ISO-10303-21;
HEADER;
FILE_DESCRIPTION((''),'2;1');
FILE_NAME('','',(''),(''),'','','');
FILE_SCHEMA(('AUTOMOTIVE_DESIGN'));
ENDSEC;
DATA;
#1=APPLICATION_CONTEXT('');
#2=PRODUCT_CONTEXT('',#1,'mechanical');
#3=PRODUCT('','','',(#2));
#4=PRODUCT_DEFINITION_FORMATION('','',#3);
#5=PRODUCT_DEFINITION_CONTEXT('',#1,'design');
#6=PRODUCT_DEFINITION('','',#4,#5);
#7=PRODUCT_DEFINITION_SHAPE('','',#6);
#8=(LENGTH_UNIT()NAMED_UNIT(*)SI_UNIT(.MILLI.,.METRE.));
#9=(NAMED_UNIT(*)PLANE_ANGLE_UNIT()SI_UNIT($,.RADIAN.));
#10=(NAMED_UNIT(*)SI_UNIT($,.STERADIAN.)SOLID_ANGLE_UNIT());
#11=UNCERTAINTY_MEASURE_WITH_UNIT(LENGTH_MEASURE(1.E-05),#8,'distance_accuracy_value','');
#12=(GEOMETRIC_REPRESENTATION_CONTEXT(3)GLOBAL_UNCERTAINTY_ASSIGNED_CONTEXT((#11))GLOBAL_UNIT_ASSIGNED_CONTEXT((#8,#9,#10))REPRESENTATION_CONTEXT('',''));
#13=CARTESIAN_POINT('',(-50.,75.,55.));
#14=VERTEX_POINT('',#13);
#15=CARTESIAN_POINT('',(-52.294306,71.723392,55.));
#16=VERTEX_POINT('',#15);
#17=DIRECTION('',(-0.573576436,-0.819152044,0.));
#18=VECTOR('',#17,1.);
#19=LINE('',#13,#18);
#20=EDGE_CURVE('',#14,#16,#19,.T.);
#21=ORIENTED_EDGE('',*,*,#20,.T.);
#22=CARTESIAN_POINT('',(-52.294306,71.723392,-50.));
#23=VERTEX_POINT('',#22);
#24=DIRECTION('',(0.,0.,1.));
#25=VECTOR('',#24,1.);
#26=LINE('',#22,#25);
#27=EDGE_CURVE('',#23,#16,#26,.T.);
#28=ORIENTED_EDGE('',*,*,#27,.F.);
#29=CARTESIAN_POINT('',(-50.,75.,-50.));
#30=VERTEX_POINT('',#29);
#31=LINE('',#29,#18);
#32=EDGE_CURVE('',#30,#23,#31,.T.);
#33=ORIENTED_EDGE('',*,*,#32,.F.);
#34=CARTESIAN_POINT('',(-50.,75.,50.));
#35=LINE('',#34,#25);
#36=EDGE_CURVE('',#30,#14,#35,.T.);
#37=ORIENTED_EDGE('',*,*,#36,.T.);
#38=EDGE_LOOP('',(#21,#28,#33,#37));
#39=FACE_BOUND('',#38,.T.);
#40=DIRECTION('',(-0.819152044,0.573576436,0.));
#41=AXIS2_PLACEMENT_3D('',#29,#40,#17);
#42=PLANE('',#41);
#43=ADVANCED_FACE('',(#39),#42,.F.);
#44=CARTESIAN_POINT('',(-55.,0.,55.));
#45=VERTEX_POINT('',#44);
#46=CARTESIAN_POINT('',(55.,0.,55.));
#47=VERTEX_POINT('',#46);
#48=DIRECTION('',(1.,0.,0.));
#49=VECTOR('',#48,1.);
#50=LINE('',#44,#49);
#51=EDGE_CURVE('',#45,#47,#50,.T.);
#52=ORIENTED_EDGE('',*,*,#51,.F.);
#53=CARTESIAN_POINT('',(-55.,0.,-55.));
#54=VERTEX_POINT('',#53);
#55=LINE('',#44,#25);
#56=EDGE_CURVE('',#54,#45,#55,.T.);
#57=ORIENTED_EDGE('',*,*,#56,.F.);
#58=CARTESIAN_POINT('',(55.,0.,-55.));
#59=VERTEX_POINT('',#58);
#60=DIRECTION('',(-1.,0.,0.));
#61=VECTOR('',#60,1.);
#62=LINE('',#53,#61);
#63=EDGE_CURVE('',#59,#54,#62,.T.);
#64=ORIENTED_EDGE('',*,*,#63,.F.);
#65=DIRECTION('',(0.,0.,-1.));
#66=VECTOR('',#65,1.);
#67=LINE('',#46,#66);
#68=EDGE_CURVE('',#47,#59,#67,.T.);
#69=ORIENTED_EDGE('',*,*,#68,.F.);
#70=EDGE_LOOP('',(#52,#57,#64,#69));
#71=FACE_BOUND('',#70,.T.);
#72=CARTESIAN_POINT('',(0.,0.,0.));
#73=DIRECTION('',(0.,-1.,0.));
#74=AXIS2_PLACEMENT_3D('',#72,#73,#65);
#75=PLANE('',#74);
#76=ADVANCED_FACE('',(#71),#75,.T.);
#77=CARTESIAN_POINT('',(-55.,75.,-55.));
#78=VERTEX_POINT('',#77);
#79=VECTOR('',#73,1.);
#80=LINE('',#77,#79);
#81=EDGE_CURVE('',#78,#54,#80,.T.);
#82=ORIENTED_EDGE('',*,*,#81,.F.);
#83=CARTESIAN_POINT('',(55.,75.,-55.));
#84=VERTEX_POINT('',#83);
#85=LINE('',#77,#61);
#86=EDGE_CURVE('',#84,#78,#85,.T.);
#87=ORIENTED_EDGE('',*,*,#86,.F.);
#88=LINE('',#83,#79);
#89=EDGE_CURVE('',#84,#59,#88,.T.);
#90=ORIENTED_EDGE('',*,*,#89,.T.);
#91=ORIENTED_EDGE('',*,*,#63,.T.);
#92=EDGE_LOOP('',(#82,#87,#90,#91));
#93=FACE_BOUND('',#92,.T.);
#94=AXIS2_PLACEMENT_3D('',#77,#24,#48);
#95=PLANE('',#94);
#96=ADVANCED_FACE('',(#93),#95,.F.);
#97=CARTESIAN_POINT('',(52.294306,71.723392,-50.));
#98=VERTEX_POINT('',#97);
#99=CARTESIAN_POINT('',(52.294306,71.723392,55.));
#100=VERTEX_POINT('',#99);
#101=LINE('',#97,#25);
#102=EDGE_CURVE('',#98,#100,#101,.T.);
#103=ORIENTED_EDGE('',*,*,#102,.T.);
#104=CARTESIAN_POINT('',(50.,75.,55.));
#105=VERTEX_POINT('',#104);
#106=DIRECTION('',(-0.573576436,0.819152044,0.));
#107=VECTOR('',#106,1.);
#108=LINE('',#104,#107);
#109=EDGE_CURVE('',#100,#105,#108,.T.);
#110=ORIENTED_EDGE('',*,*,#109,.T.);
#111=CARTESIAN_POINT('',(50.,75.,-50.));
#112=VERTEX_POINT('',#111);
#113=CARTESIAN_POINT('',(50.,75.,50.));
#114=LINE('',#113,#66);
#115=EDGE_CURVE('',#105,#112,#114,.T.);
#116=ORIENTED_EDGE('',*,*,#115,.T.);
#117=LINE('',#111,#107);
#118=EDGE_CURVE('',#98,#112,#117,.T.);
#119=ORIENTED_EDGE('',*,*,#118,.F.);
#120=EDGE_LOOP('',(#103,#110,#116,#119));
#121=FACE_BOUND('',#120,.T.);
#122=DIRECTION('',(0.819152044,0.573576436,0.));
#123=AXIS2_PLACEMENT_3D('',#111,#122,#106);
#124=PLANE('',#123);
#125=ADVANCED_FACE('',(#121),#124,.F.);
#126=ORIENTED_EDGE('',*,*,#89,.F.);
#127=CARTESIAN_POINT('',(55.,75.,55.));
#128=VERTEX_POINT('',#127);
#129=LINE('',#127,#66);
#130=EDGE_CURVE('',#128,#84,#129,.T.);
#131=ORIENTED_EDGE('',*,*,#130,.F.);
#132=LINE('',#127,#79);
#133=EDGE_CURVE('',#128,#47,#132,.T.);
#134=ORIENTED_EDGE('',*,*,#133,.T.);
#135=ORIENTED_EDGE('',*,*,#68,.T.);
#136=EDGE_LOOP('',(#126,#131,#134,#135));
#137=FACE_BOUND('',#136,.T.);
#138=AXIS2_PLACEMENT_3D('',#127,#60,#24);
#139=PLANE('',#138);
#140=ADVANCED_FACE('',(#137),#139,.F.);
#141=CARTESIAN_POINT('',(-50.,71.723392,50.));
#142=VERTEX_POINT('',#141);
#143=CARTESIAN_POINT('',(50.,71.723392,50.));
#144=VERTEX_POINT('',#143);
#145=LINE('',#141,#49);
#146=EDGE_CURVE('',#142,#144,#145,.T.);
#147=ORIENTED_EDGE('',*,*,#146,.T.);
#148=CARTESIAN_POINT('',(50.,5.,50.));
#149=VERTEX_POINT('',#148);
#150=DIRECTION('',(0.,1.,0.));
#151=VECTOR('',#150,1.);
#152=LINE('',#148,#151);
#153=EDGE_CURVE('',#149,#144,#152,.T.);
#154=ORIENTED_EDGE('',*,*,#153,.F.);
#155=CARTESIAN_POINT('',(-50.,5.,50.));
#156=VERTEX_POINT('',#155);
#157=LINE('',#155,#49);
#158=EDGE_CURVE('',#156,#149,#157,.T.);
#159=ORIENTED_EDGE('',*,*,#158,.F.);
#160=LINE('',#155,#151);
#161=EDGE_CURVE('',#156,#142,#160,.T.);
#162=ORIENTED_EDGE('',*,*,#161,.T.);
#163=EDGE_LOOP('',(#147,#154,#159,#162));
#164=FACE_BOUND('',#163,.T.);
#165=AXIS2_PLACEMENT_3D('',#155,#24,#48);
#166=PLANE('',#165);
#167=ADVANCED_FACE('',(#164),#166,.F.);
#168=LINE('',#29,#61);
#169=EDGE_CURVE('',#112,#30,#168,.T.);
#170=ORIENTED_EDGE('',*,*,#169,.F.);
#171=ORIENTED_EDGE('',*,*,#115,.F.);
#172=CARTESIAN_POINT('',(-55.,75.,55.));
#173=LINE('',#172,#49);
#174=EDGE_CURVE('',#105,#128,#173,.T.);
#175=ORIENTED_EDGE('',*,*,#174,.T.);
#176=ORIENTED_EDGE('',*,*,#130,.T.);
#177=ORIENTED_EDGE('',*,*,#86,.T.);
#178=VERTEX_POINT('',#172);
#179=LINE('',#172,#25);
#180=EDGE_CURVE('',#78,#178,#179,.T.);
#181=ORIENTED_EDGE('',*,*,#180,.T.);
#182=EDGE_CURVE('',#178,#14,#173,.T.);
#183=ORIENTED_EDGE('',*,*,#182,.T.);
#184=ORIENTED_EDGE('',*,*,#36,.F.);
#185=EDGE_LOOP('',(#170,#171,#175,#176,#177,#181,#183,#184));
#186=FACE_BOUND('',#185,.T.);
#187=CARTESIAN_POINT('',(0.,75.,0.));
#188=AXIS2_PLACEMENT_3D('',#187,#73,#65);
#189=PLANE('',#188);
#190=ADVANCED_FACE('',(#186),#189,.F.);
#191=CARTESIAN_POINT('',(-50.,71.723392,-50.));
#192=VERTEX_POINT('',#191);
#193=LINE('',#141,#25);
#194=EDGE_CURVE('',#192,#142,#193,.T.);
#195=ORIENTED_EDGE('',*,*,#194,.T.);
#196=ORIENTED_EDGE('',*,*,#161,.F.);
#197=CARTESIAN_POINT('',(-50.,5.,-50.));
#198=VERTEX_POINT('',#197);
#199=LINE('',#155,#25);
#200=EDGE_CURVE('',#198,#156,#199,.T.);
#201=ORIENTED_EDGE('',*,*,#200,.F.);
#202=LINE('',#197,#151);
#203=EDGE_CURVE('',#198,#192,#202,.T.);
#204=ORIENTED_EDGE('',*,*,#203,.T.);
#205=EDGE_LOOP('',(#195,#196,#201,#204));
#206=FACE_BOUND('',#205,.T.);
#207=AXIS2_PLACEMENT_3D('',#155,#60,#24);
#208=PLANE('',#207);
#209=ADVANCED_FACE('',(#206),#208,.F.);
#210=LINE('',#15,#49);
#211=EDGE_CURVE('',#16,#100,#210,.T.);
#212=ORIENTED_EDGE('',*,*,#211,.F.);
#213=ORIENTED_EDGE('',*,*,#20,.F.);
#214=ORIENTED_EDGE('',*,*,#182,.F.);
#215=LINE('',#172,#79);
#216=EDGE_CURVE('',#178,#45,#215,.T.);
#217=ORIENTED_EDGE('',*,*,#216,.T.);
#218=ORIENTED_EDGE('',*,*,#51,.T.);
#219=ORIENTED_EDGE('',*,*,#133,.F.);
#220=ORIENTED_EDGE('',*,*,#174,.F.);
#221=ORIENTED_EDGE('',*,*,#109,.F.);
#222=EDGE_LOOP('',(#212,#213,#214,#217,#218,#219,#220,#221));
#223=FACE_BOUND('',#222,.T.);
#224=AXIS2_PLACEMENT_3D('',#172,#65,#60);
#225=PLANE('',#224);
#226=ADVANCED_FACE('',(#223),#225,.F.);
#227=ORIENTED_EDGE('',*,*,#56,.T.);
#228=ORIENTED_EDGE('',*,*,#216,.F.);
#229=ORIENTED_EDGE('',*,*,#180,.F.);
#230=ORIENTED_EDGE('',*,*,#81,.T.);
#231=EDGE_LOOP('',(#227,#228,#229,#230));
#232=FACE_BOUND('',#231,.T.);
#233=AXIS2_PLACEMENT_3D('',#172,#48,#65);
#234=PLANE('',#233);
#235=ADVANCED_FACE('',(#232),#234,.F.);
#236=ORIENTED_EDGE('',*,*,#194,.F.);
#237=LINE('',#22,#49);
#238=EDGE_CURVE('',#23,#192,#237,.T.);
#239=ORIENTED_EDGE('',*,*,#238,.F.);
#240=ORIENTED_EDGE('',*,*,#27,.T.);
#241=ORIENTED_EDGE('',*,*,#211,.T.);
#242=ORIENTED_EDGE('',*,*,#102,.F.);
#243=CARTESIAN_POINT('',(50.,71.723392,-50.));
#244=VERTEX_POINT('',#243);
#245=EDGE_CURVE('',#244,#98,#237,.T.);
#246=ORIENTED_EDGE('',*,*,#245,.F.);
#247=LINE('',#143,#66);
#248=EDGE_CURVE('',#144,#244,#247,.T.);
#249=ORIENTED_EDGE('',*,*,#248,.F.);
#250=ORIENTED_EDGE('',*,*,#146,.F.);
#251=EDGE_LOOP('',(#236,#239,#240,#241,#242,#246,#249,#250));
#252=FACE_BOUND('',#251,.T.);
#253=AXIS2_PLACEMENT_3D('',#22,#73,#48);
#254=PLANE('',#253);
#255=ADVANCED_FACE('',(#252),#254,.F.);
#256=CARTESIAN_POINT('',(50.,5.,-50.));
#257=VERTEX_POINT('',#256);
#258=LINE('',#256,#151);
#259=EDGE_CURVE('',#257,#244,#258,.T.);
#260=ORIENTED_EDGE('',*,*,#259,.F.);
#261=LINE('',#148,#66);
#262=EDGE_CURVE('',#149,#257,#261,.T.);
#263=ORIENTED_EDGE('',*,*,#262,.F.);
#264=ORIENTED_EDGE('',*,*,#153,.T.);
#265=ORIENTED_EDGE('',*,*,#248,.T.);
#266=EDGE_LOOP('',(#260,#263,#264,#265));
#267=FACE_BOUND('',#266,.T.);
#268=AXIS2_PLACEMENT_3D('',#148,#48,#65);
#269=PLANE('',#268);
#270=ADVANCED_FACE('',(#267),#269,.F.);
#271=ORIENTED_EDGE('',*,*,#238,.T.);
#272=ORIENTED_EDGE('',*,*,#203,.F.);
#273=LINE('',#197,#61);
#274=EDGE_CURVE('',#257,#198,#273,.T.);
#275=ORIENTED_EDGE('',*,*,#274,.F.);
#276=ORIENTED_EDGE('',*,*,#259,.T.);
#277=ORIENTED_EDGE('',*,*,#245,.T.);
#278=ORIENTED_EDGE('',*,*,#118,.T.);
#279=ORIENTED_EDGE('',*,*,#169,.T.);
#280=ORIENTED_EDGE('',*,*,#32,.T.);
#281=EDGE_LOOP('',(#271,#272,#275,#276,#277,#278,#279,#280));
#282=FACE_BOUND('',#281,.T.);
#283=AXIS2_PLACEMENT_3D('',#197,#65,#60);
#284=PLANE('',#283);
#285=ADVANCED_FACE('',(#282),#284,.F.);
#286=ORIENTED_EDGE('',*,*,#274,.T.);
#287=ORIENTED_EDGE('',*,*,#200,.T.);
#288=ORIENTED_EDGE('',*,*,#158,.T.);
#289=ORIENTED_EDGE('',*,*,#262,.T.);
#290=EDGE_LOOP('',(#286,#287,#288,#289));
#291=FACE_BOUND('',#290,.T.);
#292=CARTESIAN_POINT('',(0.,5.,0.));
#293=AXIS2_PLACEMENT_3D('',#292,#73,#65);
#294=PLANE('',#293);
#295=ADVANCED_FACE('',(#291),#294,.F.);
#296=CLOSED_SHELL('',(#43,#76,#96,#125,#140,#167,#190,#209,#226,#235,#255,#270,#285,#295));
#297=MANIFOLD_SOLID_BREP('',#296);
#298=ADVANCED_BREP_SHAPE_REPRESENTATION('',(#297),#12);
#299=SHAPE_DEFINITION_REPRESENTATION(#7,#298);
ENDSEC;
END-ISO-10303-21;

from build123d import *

# Parameters (mm, degrees)
SKETCH1_W           = 110
SKETCH1_H           = 110
BOSS_EXTRUDE1_DEPTH = 75
SKETCH2_W           = 100
SKETCH2_H           = 100
CUT_EXTRUDE2_DEPTH  = 70
CUT_EXTRUDE3_START  = -105
CUT_EXTRUDE3_DEPTH  = 105


with BuildPart() as part:
    # Sketch1 → Boss-Extrude1 (new body)
    with BuildSketch(Plane(origin=(0, 0, 0), x_dir=(1, 0, 0), z_dir=(0, 1, 0))):
        Rectangle(SKETCH1_W, SKETCH1_H)
    extrude(amount=BOSS_EXTRUDE1_DEPTH)

    # Sketch2 → Cut-Extrude2 (cut)
    with BuildSketch(Plane(origin=(0, 75, 0), x_dir=(1, 0, 0), z_dir=(0, 1, 0))):
        Rectangle(SKETCH2_W, SKETCH2_H)
    extrude(amount=-CUT_EXTRUDE2_DEPTH, mode=Mode.SUBTRACT)

    # Sketch4 → Cut-Extrude3 (cut)
    with BuildSketch(Plane.XY.offset(55).offset(CUT_EXTRUDE3_START)):
        Polygon((50, 75), (52.294305745, 71.723391823), (-52.294305745, 71.723391823), (-50, 75), align=None)
    extrude(amount=CUT_EXTRUDE3_DEPTH, mode=Mode.SUBTRACT)


solid = part.part
